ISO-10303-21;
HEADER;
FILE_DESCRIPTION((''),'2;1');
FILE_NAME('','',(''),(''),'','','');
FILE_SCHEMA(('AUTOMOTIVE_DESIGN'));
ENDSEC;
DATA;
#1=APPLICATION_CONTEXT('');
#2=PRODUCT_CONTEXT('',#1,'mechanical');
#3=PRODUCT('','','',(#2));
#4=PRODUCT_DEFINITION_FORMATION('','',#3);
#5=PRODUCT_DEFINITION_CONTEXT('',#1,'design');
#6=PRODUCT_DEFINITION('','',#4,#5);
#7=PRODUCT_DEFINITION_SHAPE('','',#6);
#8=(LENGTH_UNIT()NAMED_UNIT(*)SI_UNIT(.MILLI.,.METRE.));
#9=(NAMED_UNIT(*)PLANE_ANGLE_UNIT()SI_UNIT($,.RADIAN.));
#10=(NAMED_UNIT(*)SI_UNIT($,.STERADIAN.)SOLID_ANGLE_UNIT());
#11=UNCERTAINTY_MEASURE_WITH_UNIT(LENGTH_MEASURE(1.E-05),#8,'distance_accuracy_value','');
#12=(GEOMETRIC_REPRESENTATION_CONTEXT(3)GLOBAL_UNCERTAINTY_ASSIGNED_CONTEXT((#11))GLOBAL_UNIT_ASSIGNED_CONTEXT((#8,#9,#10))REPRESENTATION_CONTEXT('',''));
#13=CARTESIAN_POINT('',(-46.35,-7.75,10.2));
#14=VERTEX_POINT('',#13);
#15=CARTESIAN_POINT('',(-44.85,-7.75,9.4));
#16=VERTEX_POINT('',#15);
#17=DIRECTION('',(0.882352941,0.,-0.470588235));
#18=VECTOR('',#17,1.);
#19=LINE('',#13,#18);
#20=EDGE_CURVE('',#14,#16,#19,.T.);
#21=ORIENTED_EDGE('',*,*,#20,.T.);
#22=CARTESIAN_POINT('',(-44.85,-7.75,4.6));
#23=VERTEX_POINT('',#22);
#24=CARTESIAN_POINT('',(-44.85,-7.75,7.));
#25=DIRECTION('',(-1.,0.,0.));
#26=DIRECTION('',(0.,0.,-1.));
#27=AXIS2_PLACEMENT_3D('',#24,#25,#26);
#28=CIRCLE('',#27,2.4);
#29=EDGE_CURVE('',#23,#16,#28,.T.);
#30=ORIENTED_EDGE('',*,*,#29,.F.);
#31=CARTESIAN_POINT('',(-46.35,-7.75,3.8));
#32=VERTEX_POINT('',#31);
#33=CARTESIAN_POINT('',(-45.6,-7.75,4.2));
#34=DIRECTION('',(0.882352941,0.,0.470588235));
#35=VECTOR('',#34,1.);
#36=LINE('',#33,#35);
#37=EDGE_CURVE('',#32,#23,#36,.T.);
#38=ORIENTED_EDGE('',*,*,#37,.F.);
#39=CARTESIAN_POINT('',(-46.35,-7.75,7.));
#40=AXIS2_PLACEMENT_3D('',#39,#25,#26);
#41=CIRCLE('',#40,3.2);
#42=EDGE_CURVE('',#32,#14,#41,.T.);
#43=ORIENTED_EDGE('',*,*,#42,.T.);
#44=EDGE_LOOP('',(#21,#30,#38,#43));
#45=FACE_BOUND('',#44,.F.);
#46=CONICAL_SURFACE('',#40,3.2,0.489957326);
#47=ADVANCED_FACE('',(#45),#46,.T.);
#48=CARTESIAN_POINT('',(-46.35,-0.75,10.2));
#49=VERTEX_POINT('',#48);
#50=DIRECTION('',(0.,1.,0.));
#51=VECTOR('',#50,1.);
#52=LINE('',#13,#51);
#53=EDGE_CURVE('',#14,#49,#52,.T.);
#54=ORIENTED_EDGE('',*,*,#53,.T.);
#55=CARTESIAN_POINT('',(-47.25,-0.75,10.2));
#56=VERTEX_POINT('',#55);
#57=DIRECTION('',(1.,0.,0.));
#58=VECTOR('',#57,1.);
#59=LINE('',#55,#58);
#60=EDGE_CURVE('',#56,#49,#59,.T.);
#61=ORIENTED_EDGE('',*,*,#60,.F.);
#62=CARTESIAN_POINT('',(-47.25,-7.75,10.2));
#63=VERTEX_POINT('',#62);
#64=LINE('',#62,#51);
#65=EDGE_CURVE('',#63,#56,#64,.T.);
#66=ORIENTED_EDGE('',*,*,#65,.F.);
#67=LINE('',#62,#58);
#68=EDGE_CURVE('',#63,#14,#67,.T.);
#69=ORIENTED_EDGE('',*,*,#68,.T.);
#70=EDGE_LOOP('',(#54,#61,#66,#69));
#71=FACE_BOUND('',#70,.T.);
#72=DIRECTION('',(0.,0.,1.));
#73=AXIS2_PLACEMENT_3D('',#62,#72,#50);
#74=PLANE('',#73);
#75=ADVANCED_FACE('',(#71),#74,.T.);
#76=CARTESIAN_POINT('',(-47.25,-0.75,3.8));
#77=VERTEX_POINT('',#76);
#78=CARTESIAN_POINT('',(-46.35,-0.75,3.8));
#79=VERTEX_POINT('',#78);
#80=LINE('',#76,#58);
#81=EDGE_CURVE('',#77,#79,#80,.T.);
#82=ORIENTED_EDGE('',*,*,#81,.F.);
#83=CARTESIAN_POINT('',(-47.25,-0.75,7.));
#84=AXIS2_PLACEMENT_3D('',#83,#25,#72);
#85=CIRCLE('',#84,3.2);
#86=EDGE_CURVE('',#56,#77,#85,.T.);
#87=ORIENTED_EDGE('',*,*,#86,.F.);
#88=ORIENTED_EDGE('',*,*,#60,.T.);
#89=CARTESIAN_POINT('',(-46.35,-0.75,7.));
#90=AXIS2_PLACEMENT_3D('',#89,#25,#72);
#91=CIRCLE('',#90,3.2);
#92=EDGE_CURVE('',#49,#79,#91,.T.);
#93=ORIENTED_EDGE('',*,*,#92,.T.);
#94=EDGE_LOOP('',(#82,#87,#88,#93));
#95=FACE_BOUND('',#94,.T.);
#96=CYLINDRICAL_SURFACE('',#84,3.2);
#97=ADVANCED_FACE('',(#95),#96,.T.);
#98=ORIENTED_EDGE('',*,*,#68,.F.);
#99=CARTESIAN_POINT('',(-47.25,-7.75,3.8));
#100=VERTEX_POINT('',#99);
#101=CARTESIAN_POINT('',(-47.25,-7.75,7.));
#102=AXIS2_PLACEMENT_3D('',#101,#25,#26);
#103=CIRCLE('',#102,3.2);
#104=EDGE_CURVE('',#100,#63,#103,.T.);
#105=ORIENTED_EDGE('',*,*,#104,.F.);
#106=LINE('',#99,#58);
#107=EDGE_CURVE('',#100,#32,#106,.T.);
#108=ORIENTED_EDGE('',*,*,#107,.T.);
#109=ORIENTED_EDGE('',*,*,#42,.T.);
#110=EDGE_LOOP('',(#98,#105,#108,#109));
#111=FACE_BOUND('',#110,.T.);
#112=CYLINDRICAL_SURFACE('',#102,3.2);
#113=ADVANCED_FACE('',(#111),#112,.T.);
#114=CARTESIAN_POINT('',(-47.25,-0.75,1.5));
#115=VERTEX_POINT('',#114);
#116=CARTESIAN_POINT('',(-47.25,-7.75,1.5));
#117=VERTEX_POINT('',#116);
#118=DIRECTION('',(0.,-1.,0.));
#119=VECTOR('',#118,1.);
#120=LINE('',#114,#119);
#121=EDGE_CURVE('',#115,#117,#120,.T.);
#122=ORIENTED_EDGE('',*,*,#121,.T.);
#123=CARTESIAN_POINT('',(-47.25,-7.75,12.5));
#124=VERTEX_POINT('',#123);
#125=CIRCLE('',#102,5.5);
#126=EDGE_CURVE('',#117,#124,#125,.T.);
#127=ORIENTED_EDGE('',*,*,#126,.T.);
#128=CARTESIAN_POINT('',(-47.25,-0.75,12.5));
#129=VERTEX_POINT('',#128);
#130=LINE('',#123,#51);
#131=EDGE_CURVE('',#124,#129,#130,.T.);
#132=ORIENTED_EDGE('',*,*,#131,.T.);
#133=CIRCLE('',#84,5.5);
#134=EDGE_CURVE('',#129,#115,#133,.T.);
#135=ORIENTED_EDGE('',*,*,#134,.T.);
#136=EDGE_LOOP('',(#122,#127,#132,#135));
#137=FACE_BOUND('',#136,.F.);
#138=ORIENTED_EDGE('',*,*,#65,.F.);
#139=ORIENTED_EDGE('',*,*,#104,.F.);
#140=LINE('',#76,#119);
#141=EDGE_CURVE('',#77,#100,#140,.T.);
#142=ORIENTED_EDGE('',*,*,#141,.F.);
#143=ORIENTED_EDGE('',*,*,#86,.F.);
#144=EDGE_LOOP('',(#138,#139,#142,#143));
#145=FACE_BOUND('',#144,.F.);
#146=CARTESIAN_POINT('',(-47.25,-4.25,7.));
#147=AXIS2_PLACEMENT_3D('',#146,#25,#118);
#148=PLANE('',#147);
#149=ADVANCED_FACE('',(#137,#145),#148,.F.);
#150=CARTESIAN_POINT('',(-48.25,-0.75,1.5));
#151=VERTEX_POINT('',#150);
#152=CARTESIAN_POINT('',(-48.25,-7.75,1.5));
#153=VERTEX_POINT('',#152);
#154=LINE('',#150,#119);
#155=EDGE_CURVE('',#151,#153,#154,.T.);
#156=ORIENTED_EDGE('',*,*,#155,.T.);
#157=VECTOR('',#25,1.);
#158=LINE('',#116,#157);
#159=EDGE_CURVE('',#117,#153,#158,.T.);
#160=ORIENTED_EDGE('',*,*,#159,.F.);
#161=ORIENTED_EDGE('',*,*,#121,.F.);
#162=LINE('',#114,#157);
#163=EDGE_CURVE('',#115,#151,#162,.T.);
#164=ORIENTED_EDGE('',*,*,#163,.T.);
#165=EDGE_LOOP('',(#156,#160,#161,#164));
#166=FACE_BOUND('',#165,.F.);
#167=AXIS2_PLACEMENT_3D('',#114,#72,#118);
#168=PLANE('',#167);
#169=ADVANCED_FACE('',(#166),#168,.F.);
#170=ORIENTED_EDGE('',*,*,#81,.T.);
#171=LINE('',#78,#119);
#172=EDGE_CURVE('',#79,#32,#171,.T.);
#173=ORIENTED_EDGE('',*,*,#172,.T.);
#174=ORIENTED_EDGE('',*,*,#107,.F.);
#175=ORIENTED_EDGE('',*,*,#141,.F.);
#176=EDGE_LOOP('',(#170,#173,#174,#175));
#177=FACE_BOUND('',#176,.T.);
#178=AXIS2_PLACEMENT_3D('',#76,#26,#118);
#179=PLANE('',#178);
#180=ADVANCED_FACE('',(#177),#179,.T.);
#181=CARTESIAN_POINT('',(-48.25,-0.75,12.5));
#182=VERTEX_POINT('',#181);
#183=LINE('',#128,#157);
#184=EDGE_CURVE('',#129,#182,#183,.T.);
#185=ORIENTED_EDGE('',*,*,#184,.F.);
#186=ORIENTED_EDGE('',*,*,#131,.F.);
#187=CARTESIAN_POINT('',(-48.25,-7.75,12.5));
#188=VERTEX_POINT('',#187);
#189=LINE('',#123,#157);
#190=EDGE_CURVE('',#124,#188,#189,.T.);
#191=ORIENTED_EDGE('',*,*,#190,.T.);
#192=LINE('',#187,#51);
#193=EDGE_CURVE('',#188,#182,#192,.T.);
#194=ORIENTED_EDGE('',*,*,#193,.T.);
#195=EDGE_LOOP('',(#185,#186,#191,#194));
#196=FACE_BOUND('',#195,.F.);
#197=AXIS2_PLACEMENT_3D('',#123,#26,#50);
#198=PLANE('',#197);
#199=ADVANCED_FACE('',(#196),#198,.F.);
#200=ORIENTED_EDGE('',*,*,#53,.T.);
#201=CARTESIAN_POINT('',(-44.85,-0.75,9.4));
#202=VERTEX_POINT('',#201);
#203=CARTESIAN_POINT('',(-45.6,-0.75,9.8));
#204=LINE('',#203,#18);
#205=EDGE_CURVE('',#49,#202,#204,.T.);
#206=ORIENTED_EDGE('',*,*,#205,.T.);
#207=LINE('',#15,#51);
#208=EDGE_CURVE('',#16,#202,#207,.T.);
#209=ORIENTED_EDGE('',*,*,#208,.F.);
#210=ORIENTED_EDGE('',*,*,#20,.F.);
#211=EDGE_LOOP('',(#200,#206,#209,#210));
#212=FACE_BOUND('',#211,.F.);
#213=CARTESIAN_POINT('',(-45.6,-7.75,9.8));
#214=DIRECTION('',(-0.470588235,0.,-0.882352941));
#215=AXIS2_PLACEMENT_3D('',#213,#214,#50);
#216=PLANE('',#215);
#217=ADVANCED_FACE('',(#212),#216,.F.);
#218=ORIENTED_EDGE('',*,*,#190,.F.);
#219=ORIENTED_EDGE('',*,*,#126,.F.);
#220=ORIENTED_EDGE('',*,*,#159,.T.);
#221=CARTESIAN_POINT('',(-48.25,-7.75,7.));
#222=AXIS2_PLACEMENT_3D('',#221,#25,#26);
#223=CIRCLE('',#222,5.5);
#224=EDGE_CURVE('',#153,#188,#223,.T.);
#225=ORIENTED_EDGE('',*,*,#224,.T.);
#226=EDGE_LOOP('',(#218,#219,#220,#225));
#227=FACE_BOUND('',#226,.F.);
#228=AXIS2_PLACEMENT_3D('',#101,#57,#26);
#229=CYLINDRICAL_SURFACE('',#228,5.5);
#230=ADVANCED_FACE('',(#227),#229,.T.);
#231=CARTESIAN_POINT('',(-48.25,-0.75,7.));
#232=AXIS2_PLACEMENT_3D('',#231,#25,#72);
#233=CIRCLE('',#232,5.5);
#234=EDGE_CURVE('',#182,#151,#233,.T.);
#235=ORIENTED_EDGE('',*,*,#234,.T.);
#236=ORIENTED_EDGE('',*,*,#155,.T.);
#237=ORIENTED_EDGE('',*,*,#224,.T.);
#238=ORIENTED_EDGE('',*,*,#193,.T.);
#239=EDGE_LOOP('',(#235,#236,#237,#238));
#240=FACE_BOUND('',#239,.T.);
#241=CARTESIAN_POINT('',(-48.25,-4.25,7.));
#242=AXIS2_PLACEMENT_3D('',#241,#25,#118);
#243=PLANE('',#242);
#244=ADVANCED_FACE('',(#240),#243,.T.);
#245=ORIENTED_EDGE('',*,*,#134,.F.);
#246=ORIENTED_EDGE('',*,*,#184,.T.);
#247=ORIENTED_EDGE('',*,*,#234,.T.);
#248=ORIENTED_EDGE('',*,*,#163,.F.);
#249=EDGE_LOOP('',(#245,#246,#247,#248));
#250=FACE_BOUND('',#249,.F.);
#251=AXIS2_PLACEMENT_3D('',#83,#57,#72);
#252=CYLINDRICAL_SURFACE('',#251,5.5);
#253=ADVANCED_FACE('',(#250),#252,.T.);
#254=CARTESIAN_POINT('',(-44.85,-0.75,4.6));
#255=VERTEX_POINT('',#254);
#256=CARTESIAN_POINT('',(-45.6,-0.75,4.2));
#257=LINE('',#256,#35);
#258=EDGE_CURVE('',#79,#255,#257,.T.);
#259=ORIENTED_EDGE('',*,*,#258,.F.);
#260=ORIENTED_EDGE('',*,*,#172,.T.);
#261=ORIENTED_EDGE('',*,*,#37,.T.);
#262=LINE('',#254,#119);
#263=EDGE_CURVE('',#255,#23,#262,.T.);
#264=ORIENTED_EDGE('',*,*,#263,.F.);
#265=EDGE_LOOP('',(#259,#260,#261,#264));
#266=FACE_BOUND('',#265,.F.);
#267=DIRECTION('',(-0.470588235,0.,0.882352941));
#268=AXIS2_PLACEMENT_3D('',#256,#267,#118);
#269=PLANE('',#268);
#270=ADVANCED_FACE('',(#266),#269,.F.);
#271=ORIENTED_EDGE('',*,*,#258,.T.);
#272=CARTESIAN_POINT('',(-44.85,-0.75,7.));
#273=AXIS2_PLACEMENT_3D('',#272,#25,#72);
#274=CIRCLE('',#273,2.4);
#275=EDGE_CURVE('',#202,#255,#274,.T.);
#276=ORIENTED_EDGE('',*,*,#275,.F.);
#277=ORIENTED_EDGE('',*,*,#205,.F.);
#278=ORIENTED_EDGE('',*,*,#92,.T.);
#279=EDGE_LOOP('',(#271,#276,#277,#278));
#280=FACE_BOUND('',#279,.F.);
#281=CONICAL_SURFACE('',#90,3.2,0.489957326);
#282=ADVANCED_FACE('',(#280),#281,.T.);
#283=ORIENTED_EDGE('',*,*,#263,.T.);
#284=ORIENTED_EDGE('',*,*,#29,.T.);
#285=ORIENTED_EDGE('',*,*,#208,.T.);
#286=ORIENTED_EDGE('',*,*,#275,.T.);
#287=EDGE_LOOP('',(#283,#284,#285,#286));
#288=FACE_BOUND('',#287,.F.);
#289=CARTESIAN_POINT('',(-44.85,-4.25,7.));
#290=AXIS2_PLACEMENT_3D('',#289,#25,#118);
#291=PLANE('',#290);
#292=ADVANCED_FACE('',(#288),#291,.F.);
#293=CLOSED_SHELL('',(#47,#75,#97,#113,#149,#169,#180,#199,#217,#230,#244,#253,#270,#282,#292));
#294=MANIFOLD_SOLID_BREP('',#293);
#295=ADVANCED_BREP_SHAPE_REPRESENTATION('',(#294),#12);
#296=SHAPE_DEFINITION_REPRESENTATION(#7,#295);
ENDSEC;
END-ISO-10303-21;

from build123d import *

# Parameters (mm, degrees)
EXTRUDE008_DEPTH = 1
EXTRUDE007_DEPTH = 2.4
CHAMFER004_SIZE2 = 0.8
CHAMFER004_SIZE  = 1.5


with BuildPart() as extrude008:
    # Sketch009 (on Sketch) → Extrude008 (new body)
    with BuildSketch(Plane(origin=(-47.25, 0, 0), x_dir=(0, -1, 0), z_dir=(-1, 0, 0))):
        with BuildLine():
            ThreePointArc((0.75, 12.5), (-4.75, 7), (0.75, 1.5))
            Line((0.75, 1.5), (7.75, 1.5))
            ThreePointArc((7.75, 1.5), (13.25, 7), (7.75, 12.5))
            Line((7.75, 12.5), (0.75, 12.5))
        make_face()
    extrude(amount=EXTRUDE008_DEPTH)


with BuildPart() as deckel_usb:
    # Sketch008 (on Sketch) → Extrude007 (new body)
    with BuildSketch(Plane(origin=(-47.25, 0, 0), x_dir=(0, -1, 0), z_dir=(-1, 0, 0))):
        with BuildLine():
            ThreePointArc((0.75, 10.2), (-2.45, 7), (0.75, 3.8))
            Line((0.75, 3.8), (7.75, 3.8))
            ThreePointArc((7.75, 3.8), (10.95, 7), (7.75, 10.2))
            Line((7.75, 10.2), (0.75, 10.2))
        make_face()
    extrude(amount=-EXTRUDE007_DEPTH)

    # Chamfer004
    chamfer004_edges = [deckel_usb.edges().sort_by_distance(p)[0] for p in [
        (-44.85, -4.25, 3.8),
    ]]
    chamfer004_side = deckel_usb.faces().sort_by_distance((-46.05, -4.25, 3.8))[0]
    chamfer(chamfer004_edges, length=CHAMFER004_SIZE, length2=CHAMFER004_SIZE2, reference=chamfer004_side)

    # Connect001: union Extrude008
    add(extrude008.part)


solid = deckel_usb.part
